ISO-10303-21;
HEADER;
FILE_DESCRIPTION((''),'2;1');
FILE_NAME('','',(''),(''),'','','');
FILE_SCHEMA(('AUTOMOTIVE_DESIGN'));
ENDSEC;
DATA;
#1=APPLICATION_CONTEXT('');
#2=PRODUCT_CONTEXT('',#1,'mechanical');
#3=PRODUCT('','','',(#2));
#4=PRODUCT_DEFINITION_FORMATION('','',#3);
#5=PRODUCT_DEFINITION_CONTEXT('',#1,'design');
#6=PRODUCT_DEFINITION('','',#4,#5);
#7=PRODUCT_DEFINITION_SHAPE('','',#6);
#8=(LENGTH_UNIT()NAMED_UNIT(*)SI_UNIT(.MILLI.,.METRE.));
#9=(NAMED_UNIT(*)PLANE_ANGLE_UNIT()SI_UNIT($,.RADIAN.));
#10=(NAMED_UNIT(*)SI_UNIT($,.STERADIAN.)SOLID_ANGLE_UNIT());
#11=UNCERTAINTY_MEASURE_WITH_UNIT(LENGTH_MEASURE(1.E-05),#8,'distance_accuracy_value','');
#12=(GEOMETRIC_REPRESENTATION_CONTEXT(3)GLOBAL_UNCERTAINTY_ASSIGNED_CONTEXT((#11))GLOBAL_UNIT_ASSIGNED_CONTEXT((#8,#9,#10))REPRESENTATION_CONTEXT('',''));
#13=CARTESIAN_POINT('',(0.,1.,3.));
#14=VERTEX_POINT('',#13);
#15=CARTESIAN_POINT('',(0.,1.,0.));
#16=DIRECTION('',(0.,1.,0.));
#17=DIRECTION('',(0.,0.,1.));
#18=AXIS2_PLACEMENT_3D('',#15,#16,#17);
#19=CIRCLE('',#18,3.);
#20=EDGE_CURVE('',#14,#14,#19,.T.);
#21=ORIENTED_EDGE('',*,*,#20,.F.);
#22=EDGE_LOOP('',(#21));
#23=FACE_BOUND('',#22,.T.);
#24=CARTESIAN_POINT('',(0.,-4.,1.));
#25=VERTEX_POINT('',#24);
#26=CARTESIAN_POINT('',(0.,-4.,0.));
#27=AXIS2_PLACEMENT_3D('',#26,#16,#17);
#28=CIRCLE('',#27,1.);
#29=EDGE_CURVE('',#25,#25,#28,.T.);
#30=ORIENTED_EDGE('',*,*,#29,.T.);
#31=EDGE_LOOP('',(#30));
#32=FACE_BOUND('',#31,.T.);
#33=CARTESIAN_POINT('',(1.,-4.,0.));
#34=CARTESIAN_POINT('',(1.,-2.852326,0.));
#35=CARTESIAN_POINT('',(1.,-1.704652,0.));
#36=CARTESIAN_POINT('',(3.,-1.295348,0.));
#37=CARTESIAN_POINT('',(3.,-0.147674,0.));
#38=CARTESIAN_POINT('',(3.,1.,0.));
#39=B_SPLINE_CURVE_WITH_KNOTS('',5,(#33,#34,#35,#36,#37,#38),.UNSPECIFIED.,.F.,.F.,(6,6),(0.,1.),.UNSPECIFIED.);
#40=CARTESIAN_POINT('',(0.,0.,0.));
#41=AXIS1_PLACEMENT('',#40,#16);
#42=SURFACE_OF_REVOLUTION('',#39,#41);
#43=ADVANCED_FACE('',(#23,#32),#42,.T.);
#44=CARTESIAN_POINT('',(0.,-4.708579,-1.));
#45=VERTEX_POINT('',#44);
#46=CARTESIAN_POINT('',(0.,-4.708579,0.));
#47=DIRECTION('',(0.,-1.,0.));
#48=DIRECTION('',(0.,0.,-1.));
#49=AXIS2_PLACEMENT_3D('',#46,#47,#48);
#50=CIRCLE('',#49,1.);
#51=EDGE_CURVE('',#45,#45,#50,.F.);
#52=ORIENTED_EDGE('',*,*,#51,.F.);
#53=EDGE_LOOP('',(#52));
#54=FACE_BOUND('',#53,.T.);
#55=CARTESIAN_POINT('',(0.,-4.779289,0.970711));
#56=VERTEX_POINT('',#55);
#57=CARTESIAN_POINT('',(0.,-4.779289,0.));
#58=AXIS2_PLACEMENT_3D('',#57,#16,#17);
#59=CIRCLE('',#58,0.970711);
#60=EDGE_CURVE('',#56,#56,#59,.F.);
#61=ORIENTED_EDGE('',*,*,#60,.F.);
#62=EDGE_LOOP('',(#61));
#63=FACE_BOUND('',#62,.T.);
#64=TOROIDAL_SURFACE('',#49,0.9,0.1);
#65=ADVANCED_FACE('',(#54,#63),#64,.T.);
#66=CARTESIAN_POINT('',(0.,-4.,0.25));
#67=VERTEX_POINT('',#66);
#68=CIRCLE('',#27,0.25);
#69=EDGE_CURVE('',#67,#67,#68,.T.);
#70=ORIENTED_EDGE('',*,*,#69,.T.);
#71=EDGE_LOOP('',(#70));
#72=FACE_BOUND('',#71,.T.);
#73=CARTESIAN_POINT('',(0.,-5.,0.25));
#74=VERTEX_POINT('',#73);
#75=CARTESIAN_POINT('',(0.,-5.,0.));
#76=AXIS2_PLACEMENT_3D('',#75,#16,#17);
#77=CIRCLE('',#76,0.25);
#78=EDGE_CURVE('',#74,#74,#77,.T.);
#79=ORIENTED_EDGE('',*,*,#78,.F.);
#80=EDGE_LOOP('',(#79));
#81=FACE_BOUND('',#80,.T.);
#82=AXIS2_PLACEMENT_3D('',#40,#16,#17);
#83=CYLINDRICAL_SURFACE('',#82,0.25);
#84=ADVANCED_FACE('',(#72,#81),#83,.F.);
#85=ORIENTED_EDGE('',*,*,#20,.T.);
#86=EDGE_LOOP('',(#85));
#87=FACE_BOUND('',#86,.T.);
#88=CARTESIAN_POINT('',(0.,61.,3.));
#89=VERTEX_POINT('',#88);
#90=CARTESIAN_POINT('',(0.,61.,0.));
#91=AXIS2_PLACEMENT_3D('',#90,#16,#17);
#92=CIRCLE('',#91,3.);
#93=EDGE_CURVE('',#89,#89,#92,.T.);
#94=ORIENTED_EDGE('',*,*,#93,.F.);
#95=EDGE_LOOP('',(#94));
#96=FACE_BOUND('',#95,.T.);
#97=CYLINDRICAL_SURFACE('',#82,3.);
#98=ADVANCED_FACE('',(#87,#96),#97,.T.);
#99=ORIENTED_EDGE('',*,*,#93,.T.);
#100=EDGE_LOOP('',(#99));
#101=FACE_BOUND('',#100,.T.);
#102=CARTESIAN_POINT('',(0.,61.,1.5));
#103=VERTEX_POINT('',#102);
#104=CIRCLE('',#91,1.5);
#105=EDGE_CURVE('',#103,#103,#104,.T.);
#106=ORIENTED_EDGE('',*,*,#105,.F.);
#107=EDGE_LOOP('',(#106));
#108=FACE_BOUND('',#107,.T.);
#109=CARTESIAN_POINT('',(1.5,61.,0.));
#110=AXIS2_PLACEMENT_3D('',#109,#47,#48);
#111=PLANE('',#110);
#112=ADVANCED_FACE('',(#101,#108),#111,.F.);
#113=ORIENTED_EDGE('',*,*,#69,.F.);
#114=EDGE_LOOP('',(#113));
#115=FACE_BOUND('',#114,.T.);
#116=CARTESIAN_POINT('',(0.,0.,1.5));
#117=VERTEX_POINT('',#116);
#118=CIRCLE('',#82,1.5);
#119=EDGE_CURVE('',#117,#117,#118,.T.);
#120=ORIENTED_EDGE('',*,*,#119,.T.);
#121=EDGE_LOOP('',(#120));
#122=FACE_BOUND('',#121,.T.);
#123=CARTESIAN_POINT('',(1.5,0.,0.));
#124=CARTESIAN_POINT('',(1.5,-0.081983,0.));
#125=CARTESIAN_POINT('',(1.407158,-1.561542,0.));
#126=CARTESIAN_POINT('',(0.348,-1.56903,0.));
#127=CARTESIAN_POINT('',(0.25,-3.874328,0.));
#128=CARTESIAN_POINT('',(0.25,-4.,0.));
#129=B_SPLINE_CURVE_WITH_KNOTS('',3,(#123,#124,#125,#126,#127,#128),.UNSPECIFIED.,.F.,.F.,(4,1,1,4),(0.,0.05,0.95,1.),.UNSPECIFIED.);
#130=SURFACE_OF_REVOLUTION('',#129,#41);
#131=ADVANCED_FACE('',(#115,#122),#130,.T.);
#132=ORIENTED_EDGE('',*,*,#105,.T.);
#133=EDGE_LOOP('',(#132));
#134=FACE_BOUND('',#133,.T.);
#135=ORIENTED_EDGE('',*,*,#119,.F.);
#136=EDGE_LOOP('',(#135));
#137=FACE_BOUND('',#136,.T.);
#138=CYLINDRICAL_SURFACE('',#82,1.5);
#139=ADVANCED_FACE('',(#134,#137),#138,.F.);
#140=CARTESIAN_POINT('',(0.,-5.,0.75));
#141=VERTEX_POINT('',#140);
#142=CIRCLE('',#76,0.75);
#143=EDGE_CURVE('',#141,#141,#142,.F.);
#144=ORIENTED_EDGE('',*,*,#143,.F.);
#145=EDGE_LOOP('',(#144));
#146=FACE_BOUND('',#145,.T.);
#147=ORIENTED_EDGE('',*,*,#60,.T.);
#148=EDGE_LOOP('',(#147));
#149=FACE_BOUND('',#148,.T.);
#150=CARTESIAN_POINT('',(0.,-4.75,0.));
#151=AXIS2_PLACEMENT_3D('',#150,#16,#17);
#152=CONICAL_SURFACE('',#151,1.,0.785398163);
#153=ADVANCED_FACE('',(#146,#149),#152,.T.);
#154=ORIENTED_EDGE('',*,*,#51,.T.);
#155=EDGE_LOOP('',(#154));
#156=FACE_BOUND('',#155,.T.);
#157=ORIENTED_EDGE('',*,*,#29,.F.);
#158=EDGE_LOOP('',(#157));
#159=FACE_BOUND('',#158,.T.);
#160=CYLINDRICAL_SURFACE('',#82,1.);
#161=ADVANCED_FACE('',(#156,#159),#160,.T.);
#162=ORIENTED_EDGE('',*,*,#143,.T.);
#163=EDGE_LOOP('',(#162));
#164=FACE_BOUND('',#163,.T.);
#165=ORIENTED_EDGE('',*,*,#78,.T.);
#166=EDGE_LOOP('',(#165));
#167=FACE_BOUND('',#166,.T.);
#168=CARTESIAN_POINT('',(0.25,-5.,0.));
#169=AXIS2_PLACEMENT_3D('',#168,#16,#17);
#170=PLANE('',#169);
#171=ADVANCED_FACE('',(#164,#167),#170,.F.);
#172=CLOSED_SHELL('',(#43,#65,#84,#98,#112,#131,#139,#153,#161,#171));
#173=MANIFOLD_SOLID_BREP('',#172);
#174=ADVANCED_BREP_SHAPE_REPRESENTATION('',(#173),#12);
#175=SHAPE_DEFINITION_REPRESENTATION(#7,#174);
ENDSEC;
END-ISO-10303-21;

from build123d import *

# Parameters (mm, degrees)
CHAMFER1_SIZE = 0.25
FILLET1_R     = 0.1


with BuildPart() as part:
    # Sketch1 → Revolve1 (revolve)
    with BuildSketch(Plane.XY):
        with BuildLine():
            Line((1.5, 61), (3, 61))
            Line((3, 61), (3, 1))
            add(Edge.make_bspline(
                [(1, -4), (1, -2.852326224), (1, -1.704652447), (3, -1.295347553), (3, -0.147673776), (3, 1)],
                knots=[0, 0, 0, 0, 0, 0, 1, 1, 1, 1, 1, 1], degree=5))
            Line((1, -4), (1, -5))
            Line((1, -5), (0.25, -5))
            Line((0.25, -5), (0.25, -4))
            add(Edge.make_bspline(
                [(0.25, -4), (0.25, -3.874328316), (0.348, -1.569029575), (1.407157895, -1.561541747), (1.5, -0.081983242), (1.5, 0)],
                knots=[0, 0, 0, 0, 0.05, 0.95, 1, 1, 1, 1], degree=3))
            Line((1.5, 0), (1.5, 61))
        make_face()
    revolve(axis=Axis((0, 0, 0), (0, -1, 0)))

    # Chamfer1
    chamfer1_edges = [part.edges().sort_by_distance(p)[0] for p in [
        (-1, -5, 0),
    ]]
    chamfer(chamfer1_edges, length=CHAMFER1_SIZE)

    # Fillet1
    fillet1_edges = [part.edges().sort_by_distance(p)[0] for p in [
        (-1, -4.75, 0),
    ]]
    fillet(fillet1_edges, radius=FILLET1_R)


solid = part.part
